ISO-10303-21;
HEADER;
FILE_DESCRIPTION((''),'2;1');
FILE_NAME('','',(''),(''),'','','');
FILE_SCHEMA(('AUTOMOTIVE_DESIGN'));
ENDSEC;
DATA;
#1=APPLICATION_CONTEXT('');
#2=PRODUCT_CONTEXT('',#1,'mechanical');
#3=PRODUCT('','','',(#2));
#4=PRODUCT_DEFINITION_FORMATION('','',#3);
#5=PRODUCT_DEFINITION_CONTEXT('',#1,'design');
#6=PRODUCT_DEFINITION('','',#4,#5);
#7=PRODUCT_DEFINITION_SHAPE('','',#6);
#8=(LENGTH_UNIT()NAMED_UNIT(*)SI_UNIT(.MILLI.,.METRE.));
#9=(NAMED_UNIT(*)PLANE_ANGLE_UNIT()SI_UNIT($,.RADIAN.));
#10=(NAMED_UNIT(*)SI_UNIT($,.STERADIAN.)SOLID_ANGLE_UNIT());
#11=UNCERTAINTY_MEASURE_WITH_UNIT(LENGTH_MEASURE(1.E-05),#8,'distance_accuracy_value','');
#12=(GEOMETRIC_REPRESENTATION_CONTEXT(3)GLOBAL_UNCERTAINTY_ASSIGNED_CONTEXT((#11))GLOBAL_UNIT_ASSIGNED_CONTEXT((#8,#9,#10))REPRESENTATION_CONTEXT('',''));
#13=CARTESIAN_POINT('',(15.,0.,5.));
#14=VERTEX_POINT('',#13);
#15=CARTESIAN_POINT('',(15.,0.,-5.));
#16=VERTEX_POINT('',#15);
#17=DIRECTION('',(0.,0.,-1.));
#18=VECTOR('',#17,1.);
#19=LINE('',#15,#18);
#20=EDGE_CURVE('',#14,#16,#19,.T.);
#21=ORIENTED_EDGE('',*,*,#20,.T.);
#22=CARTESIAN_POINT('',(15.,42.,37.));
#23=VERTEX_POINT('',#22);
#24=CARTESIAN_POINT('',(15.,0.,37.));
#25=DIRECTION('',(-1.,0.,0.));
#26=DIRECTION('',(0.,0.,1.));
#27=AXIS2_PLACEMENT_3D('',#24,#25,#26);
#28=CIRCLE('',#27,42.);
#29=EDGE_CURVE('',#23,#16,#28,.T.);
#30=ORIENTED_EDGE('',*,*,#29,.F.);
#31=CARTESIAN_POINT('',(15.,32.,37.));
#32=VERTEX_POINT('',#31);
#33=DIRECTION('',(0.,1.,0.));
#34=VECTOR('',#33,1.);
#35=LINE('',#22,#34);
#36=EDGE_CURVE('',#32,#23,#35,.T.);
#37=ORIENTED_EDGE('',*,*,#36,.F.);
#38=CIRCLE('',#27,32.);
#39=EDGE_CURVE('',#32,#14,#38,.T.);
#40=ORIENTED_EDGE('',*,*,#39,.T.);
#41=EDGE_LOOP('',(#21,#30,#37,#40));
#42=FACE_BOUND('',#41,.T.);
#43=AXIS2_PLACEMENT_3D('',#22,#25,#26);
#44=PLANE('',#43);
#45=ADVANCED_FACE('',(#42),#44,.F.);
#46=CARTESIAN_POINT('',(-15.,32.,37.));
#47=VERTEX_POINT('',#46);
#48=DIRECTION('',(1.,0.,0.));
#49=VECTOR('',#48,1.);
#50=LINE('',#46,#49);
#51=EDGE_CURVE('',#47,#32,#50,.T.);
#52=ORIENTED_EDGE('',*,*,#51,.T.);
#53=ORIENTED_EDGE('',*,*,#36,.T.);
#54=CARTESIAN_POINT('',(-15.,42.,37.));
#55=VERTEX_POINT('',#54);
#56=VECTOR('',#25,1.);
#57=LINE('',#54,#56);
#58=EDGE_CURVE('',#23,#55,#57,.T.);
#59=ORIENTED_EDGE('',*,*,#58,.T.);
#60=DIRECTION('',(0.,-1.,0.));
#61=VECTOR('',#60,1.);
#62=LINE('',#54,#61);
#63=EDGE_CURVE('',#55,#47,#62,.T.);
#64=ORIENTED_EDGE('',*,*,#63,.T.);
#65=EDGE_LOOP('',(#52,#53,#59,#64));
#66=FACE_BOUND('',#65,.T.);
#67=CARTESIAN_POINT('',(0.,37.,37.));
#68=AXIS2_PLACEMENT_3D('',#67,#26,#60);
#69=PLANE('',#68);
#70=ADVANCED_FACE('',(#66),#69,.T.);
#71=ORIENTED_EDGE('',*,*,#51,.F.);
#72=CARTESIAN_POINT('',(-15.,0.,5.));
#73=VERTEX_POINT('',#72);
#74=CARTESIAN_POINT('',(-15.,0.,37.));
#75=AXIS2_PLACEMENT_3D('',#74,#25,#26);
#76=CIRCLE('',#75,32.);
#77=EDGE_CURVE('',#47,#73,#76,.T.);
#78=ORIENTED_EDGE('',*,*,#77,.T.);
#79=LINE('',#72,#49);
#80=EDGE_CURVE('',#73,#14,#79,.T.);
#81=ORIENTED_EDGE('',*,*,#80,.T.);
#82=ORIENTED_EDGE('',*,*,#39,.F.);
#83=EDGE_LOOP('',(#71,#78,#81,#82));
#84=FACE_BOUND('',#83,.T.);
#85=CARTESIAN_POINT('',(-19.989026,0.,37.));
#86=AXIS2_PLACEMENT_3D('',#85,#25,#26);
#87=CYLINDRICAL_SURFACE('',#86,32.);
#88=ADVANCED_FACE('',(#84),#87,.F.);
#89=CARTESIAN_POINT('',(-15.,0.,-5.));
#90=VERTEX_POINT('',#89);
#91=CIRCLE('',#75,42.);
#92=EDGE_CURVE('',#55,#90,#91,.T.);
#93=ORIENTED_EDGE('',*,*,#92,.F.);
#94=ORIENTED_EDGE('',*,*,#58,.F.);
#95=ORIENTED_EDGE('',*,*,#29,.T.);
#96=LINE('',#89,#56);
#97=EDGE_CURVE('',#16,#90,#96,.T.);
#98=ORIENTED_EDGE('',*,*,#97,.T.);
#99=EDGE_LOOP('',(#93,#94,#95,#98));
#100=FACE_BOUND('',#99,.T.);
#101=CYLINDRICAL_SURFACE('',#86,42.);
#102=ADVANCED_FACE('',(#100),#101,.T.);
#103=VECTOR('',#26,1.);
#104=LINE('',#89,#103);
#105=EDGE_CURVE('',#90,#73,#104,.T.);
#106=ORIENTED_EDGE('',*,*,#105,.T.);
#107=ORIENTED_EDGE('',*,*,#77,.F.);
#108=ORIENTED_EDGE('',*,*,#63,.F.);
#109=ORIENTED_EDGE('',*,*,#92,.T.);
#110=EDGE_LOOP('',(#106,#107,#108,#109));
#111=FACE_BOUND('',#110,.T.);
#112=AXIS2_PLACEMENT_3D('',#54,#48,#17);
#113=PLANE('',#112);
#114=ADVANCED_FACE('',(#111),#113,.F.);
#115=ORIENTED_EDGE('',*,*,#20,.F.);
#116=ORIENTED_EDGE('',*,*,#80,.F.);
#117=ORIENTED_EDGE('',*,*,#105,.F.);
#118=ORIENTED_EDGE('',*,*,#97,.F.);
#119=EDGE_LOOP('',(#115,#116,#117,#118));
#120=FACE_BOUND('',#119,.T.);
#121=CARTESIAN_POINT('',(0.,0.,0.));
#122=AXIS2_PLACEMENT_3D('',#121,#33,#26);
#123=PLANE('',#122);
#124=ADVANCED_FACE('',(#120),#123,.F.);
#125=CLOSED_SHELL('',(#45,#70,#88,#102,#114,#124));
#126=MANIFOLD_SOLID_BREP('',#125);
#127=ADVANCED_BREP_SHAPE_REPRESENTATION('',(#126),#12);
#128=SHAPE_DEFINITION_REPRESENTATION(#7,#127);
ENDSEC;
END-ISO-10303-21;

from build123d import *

# Parameters (mm, degrees)
SKETCH1_W      = 30
SKETCH1_H      = 10
REVOLVE2_ANGLE = 90


with BuildPart() as part:
    # Sketch1 → Revolve2 (revolve)
    with BuildSketch(Plane(origin=(0, 0, 0), x_dir=(1, 0, 0), z_dir=(0, 1, 0))):
        Rectangle(SKETCH1_W, SKETCH1_H)
    revolve(axis=Axis((-19.989025937, 0, 37), (1, 0, 0)), revolution_arc=REVOLVE2_ANGLE)


solid = part.part
